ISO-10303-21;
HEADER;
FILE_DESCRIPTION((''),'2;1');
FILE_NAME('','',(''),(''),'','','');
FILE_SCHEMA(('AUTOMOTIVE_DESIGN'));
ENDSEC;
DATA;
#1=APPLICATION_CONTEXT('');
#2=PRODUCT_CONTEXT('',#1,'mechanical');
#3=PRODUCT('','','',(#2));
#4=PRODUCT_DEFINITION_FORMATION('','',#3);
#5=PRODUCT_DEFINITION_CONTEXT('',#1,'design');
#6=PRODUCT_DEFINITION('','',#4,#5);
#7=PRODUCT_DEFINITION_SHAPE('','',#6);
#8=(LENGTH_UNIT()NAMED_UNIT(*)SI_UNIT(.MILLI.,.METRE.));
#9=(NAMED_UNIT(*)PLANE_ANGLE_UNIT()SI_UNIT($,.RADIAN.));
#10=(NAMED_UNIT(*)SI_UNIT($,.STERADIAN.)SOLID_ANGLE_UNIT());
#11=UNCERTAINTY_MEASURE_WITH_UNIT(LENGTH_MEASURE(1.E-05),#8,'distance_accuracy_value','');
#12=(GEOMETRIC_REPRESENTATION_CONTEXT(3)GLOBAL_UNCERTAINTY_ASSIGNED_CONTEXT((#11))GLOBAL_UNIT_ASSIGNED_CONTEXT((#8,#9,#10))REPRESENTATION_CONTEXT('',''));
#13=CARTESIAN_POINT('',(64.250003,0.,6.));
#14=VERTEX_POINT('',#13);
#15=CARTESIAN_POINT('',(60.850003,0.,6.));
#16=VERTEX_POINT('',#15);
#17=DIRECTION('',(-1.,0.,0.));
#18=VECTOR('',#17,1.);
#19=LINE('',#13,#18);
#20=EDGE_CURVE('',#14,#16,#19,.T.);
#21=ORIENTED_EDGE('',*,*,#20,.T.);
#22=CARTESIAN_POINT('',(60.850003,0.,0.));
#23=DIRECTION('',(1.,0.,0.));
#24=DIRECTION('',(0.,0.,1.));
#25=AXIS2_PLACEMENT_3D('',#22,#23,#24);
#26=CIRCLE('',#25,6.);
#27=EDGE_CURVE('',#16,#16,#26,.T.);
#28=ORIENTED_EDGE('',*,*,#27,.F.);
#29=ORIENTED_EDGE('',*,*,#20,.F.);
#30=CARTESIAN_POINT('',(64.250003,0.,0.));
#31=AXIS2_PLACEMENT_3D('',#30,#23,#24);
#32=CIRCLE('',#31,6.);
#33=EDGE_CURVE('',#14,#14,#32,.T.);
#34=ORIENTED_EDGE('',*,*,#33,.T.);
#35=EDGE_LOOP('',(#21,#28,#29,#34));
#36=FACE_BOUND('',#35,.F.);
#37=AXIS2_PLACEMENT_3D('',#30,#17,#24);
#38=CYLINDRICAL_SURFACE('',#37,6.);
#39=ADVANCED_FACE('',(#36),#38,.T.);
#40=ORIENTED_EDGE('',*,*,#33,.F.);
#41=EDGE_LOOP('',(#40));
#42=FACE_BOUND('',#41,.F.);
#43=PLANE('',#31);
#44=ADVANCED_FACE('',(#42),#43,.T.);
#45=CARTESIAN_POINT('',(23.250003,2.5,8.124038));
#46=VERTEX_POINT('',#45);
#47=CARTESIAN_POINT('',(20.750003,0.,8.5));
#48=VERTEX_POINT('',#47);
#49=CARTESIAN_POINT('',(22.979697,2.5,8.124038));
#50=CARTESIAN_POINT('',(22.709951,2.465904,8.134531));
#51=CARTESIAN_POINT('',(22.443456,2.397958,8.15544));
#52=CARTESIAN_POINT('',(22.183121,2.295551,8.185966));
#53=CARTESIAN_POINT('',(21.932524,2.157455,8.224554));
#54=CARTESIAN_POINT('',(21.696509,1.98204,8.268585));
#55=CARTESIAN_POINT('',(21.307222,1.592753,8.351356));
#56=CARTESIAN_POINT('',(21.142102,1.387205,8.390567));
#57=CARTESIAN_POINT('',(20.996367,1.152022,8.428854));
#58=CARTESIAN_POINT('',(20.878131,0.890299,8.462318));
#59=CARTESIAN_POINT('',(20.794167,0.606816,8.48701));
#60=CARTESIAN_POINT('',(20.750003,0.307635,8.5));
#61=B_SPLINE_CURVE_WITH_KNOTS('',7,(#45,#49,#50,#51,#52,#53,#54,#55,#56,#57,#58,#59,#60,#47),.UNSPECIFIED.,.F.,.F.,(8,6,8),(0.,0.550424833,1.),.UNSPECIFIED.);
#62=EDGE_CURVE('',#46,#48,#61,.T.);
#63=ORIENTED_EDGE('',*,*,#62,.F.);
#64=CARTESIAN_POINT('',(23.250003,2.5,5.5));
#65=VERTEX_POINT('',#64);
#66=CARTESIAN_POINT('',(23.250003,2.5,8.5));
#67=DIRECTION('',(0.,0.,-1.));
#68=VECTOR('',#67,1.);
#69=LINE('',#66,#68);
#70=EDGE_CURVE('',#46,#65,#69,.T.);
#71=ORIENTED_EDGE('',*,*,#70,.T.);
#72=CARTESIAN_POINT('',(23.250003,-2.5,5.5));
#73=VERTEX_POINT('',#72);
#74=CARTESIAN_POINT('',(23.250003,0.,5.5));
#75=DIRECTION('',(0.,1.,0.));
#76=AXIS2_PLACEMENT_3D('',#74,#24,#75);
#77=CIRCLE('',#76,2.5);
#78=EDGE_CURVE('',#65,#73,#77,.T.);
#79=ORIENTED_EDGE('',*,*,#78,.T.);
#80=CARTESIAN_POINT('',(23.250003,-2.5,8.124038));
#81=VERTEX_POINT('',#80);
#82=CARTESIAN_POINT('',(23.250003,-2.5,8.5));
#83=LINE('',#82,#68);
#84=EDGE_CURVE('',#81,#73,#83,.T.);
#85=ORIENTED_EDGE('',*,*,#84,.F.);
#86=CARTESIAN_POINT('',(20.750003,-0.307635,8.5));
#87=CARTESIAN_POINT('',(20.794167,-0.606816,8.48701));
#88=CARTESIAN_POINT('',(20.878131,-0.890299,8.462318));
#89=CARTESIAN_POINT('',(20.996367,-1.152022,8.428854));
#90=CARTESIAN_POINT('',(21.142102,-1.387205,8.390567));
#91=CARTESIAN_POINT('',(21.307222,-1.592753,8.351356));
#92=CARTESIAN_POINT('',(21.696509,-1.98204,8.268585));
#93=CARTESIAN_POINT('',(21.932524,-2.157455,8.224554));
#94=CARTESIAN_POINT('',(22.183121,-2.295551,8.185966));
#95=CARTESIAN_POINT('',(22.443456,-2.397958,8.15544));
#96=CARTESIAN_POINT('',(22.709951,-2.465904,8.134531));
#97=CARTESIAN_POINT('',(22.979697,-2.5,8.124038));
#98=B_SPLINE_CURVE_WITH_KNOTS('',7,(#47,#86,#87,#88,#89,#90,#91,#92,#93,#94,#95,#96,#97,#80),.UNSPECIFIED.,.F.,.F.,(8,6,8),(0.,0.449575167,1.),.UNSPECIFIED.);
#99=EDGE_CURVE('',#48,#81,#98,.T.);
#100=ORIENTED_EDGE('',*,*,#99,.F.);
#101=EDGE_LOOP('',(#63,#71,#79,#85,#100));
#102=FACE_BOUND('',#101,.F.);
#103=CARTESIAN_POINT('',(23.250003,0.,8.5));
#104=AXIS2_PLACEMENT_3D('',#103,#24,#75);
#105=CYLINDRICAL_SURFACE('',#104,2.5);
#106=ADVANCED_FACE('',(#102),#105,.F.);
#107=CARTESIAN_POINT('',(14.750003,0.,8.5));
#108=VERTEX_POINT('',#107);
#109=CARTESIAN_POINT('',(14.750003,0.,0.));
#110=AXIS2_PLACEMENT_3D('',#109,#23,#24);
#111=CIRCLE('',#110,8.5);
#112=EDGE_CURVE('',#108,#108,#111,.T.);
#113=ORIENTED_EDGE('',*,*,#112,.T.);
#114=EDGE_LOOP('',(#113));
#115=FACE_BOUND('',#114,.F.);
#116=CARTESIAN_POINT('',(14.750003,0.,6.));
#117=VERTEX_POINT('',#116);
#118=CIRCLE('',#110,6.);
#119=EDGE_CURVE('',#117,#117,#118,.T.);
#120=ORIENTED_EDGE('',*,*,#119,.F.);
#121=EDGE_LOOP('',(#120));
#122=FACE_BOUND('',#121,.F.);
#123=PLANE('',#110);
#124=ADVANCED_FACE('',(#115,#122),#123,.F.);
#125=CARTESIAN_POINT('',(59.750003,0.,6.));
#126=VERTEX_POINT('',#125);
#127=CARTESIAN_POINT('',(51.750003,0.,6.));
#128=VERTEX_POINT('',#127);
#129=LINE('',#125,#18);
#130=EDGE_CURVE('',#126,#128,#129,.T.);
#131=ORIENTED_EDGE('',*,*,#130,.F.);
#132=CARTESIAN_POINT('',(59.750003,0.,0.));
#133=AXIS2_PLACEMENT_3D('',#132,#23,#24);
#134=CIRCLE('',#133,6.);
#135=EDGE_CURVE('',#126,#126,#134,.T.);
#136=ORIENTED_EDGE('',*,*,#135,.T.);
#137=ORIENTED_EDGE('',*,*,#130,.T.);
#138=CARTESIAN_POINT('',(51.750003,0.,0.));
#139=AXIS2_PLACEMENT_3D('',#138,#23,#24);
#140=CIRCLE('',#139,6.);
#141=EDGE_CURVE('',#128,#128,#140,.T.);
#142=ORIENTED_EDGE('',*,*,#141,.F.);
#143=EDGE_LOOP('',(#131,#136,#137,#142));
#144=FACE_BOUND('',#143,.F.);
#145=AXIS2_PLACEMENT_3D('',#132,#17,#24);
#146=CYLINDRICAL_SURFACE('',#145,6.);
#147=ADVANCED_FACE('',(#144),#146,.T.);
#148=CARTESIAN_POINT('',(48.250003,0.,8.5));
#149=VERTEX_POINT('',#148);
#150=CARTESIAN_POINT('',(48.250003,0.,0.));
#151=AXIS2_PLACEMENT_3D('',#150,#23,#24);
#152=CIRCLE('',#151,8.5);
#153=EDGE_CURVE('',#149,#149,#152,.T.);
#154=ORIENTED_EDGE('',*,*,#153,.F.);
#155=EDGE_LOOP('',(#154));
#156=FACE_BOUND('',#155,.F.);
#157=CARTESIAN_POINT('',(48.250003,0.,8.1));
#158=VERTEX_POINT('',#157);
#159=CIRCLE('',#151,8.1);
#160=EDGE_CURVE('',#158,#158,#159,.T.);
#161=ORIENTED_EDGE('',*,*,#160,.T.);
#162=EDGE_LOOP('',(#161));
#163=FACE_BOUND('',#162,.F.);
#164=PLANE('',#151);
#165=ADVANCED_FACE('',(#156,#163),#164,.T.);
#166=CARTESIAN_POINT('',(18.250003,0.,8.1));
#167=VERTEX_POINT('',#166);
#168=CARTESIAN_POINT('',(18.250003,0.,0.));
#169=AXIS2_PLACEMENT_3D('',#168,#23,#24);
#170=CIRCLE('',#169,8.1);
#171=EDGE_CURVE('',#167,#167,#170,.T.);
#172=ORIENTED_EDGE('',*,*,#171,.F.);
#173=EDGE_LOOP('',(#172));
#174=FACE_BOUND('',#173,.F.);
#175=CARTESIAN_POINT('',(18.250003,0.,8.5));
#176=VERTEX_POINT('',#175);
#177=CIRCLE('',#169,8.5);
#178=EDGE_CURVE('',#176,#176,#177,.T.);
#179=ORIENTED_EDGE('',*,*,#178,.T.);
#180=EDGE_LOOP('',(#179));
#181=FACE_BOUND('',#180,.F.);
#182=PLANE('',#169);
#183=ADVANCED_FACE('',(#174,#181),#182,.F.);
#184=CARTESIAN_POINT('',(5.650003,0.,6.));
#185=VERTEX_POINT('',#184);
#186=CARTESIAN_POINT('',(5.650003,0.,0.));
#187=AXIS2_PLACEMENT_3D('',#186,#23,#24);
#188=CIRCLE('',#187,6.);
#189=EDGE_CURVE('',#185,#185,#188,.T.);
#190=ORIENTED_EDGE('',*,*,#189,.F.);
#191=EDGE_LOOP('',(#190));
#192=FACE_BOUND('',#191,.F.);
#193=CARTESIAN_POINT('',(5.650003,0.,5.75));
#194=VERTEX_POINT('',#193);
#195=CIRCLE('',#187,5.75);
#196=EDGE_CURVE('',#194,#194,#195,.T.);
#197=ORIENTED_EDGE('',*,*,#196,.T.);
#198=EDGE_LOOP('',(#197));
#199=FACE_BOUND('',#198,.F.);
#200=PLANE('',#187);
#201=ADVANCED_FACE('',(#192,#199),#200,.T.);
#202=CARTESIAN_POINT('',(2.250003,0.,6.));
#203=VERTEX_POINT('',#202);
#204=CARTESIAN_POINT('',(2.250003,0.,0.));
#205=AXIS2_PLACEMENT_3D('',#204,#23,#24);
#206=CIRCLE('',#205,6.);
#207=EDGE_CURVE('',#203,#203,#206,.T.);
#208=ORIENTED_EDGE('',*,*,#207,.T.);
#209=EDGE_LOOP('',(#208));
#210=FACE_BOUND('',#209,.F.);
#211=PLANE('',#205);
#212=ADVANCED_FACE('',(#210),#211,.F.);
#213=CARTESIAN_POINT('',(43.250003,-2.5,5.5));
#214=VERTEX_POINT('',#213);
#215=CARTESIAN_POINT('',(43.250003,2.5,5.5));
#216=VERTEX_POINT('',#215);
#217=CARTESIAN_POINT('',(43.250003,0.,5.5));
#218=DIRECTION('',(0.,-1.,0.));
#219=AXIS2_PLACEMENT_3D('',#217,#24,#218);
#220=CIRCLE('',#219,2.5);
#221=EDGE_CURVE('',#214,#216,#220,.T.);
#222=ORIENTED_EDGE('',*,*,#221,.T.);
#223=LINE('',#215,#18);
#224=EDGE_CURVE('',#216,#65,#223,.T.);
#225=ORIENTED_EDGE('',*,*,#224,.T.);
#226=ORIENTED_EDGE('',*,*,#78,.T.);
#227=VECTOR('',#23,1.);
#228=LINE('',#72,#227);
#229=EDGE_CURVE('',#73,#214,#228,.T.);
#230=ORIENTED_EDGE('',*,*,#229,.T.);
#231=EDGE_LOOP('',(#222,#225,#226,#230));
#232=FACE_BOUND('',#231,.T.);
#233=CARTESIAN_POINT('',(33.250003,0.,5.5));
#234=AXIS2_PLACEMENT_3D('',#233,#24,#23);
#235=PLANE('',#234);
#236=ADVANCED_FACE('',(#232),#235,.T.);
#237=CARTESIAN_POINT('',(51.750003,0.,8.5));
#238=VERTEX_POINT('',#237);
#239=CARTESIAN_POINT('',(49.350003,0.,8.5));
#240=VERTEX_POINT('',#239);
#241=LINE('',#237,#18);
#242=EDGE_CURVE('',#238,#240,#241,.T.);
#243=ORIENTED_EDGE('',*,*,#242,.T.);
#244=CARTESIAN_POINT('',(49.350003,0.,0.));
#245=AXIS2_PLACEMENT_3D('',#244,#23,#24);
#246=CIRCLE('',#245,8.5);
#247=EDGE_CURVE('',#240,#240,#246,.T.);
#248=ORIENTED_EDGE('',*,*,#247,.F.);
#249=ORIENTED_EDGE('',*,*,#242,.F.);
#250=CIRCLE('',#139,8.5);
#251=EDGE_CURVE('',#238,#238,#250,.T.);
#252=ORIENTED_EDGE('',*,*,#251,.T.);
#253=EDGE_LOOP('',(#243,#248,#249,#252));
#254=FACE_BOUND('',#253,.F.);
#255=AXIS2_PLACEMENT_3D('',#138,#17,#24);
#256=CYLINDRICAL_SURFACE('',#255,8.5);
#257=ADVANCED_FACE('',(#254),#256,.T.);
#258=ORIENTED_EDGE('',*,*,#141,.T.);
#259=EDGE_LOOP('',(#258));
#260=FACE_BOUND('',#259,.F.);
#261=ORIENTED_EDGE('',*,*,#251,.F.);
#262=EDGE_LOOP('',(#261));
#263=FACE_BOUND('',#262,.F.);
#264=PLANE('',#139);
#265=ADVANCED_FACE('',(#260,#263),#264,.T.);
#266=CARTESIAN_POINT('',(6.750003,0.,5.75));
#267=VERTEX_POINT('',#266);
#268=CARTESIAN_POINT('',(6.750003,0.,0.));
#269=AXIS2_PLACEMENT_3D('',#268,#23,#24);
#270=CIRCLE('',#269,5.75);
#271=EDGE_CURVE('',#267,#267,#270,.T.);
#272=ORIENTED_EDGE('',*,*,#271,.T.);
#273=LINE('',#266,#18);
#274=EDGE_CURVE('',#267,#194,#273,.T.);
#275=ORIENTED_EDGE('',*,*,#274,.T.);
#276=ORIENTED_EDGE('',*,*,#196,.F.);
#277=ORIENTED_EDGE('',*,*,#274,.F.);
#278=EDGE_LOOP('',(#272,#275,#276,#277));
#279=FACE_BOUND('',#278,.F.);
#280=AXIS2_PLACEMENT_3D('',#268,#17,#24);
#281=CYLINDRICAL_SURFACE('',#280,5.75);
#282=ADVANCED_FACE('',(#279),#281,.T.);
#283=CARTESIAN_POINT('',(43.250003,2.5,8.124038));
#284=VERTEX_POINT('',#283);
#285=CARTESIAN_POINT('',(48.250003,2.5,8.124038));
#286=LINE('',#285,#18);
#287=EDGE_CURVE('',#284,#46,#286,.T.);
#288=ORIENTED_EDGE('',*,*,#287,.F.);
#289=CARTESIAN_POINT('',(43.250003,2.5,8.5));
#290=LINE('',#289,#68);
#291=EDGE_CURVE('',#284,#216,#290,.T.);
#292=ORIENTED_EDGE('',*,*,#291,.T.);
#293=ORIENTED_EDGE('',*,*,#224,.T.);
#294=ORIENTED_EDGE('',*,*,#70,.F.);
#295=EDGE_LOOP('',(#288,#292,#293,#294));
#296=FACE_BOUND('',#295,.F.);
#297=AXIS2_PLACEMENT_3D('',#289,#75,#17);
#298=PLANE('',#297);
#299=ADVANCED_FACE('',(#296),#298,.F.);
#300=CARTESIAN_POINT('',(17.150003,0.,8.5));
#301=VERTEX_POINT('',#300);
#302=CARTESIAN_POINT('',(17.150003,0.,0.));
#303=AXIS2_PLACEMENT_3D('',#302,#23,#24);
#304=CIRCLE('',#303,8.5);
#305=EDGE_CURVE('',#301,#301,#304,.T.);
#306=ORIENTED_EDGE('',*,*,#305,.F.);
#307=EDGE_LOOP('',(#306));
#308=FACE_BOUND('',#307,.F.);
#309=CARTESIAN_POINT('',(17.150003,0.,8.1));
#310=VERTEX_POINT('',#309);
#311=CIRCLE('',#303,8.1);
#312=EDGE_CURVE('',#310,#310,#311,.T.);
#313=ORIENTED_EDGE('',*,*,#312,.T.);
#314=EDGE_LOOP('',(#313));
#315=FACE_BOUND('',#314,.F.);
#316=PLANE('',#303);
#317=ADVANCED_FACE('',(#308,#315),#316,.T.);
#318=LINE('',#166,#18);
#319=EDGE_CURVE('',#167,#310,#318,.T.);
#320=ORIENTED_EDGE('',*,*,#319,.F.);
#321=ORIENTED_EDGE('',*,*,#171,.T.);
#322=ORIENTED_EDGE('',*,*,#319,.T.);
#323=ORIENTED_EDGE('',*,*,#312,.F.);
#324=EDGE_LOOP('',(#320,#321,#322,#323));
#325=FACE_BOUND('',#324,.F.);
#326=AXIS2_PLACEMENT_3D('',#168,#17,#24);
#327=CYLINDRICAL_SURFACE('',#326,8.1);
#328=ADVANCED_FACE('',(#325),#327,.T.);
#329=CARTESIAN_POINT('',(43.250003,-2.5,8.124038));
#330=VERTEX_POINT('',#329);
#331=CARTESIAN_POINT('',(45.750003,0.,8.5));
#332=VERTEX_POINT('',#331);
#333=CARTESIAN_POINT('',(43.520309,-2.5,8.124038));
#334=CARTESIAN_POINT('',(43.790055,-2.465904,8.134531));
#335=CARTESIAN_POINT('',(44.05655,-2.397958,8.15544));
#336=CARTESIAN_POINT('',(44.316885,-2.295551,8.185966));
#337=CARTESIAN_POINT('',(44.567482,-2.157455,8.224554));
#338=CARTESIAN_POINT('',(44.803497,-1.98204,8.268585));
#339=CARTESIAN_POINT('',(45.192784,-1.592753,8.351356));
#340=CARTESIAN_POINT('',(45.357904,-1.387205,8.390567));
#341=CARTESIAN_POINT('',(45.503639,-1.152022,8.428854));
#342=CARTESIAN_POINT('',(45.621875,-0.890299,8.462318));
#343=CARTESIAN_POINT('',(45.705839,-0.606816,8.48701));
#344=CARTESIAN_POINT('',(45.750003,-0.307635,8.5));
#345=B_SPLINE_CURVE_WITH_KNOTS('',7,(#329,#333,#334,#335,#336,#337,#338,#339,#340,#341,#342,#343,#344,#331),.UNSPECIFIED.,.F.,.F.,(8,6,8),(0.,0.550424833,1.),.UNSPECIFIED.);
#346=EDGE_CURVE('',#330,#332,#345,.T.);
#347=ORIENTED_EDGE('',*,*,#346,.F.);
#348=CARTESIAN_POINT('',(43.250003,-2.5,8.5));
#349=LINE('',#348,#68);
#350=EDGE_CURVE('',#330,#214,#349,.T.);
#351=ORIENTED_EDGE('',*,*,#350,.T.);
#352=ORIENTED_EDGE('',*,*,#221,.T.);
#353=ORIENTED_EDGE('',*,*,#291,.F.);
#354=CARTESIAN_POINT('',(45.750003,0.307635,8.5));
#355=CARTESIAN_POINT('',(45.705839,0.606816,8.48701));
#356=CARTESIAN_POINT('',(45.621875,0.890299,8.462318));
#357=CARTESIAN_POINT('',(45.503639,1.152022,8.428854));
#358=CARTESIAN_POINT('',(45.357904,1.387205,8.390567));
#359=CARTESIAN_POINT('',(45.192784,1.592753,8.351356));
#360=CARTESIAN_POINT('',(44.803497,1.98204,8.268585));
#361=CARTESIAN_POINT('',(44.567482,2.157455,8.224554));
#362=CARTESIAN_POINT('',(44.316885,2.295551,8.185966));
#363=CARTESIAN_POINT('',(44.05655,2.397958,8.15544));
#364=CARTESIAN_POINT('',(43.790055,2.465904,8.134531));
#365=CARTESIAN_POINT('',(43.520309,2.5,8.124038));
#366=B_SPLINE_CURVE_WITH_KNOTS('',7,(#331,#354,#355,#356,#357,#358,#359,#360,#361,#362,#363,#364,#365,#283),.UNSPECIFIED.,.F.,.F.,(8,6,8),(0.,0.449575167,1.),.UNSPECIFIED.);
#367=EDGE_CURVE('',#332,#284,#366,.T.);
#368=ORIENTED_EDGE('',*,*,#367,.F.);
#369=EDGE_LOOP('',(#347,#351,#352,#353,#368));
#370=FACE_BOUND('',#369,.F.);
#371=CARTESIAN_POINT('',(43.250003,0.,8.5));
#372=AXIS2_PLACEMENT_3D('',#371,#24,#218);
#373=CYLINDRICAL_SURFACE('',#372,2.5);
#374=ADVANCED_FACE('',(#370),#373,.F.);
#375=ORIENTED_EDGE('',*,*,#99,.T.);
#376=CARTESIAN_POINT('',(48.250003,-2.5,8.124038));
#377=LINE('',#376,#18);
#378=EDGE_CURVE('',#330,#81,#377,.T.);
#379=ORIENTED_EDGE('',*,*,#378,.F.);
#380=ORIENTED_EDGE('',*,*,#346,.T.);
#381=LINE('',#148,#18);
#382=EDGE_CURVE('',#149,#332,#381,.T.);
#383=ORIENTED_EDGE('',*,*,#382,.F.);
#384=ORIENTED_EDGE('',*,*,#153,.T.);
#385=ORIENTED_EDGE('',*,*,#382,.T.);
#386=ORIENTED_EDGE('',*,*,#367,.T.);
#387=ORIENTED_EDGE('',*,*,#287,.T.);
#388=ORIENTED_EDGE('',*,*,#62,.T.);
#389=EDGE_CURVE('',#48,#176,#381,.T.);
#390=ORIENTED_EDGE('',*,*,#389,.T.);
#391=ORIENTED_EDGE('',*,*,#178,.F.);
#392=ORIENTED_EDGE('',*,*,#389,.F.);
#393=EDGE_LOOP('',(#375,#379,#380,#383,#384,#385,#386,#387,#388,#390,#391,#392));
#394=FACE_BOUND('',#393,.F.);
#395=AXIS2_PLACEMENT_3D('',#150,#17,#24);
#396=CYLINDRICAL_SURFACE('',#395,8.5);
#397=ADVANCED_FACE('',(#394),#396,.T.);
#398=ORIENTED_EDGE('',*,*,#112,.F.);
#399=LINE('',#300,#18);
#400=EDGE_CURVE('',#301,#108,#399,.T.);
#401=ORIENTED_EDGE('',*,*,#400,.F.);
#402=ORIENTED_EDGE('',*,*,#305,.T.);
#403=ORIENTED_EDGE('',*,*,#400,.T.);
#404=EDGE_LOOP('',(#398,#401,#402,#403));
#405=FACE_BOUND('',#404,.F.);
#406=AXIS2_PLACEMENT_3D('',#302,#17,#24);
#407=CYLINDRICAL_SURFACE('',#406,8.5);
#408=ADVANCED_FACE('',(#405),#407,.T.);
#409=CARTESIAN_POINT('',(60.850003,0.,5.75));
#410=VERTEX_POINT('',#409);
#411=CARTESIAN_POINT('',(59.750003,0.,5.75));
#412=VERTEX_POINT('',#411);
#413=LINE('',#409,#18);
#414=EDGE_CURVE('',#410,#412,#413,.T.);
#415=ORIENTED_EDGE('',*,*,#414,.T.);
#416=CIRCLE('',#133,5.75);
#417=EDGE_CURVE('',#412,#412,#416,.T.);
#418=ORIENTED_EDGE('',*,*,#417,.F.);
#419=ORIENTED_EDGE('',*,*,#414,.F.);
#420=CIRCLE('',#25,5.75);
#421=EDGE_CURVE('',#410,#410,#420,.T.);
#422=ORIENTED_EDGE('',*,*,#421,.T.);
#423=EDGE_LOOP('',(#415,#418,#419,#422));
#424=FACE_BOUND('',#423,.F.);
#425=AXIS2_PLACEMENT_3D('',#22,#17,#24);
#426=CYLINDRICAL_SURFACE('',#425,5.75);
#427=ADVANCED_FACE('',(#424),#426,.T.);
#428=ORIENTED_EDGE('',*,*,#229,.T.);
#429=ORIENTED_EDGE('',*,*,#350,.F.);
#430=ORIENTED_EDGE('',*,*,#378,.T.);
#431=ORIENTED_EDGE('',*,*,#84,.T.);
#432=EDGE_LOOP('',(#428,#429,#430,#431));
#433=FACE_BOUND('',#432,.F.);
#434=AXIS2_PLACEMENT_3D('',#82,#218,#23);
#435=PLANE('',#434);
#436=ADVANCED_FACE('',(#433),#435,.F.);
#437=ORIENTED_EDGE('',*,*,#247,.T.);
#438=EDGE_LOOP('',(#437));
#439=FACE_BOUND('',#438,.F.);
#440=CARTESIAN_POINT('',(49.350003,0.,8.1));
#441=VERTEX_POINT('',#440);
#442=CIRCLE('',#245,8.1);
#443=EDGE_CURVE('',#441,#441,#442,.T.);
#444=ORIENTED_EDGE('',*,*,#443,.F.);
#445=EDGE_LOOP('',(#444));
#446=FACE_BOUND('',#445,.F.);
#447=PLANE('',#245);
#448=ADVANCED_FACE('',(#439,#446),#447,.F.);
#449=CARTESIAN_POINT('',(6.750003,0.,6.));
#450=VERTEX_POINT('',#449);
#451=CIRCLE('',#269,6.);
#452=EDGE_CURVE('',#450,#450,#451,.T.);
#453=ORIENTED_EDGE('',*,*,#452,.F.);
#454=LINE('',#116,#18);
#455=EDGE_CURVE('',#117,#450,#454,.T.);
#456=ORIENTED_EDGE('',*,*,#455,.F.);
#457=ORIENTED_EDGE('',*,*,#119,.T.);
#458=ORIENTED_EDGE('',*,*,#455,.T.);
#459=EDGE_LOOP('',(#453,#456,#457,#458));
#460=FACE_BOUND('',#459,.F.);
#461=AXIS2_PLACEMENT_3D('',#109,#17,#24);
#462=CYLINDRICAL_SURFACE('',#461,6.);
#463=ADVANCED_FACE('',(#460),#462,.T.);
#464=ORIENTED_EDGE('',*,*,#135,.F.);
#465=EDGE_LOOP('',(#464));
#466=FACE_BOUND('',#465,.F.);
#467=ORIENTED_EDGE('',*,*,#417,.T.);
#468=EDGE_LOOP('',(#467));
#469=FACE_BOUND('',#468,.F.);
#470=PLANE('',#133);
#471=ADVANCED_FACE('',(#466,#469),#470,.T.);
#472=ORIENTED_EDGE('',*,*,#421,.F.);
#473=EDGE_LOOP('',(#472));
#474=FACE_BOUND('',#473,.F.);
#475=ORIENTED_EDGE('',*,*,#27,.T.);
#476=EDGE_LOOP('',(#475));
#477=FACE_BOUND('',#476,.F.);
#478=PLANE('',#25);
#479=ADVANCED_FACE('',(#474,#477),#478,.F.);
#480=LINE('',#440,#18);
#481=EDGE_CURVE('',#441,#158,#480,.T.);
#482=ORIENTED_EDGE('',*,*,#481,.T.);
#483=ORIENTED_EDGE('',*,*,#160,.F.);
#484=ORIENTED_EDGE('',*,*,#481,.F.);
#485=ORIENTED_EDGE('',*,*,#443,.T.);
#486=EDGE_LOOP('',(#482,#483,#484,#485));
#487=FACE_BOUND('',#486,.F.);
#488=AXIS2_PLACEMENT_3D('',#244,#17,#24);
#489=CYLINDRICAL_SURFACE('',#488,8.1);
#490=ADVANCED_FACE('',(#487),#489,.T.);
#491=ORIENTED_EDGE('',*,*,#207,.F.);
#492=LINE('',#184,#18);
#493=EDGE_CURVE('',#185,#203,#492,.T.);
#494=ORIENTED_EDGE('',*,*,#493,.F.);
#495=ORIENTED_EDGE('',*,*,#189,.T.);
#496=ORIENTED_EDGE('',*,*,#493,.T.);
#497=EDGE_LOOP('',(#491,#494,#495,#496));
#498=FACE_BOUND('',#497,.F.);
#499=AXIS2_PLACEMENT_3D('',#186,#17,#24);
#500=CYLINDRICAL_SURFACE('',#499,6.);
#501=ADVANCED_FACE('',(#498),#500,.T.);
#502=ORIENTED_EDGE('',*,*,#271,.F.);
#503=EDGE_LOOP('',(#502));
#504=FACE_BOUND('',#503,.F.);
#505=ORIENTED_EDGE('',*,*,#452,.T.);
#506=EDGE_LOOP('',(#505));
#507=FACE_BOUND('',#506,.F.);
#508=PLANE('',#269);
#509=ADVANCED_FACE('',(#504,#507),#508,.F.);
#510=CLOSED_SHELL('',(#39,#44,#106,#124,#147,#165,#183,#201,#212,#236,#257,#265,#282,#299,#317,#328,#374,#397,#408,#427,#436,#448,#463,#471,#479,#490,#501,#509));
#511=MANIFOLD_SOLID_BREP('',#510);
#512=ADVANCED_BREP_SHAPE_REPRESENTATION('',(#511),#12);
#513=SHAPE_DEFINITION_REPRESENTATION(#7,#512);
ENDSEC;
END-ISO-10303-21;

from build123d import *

# Parameters (mm, degrees)
F4_DEPTH = 3


with BuildPart() as f1:
    # F0 (on Front) → F1 (revolve)
    with BuildSketch(Plane.XZ):
        Polygon((2.250003, 6), (2.250003, 0), (64.250003, 0), (64.250003, 6), (60.850003, 6), (60.850003, 5.75), (59.750003, 5.75), (59.750003, 6), (51.750003, 6), (51.750003, 8.5), (49.350003, 8.5), (49.350003, 8.1), (48.250003, 8.1), (48.250003, 8.5), (18.250003, 8.5), (18.250003, 8.1), (17.150003, 8.1), (17.150003, 8.5), (14.750003, 8.5), (14.750003, 6), (6.750003, 6), (6.750003, 5.75), (5.650003, 5.75), (5.650003, 6), align=None)
    revolve(axis=Axis((33.250003, 0, 0), (1, 0, 0)))

    # F3 (on offset) → F4 (cut)
    with BuildSketch(Plane.XY.offset(8.5)):
        with BuildLine():
            Line((43.250003, 2.5), (23.250003, 2.5))
            ThreePointArc((23.250003, 2.5), (20.750003, 0), (23.250003, -2.5))
            Line((23.250003, -2.5), (43.250003, -2.5))
            ThreePointArc((43.250003, -2.5), (45.750003, 0), (43.250003, 2.5))
        make_face()
    extrude(amount=-F4_DEPTH, mode=Mode.SUBTRACT)


solid = f1.part
